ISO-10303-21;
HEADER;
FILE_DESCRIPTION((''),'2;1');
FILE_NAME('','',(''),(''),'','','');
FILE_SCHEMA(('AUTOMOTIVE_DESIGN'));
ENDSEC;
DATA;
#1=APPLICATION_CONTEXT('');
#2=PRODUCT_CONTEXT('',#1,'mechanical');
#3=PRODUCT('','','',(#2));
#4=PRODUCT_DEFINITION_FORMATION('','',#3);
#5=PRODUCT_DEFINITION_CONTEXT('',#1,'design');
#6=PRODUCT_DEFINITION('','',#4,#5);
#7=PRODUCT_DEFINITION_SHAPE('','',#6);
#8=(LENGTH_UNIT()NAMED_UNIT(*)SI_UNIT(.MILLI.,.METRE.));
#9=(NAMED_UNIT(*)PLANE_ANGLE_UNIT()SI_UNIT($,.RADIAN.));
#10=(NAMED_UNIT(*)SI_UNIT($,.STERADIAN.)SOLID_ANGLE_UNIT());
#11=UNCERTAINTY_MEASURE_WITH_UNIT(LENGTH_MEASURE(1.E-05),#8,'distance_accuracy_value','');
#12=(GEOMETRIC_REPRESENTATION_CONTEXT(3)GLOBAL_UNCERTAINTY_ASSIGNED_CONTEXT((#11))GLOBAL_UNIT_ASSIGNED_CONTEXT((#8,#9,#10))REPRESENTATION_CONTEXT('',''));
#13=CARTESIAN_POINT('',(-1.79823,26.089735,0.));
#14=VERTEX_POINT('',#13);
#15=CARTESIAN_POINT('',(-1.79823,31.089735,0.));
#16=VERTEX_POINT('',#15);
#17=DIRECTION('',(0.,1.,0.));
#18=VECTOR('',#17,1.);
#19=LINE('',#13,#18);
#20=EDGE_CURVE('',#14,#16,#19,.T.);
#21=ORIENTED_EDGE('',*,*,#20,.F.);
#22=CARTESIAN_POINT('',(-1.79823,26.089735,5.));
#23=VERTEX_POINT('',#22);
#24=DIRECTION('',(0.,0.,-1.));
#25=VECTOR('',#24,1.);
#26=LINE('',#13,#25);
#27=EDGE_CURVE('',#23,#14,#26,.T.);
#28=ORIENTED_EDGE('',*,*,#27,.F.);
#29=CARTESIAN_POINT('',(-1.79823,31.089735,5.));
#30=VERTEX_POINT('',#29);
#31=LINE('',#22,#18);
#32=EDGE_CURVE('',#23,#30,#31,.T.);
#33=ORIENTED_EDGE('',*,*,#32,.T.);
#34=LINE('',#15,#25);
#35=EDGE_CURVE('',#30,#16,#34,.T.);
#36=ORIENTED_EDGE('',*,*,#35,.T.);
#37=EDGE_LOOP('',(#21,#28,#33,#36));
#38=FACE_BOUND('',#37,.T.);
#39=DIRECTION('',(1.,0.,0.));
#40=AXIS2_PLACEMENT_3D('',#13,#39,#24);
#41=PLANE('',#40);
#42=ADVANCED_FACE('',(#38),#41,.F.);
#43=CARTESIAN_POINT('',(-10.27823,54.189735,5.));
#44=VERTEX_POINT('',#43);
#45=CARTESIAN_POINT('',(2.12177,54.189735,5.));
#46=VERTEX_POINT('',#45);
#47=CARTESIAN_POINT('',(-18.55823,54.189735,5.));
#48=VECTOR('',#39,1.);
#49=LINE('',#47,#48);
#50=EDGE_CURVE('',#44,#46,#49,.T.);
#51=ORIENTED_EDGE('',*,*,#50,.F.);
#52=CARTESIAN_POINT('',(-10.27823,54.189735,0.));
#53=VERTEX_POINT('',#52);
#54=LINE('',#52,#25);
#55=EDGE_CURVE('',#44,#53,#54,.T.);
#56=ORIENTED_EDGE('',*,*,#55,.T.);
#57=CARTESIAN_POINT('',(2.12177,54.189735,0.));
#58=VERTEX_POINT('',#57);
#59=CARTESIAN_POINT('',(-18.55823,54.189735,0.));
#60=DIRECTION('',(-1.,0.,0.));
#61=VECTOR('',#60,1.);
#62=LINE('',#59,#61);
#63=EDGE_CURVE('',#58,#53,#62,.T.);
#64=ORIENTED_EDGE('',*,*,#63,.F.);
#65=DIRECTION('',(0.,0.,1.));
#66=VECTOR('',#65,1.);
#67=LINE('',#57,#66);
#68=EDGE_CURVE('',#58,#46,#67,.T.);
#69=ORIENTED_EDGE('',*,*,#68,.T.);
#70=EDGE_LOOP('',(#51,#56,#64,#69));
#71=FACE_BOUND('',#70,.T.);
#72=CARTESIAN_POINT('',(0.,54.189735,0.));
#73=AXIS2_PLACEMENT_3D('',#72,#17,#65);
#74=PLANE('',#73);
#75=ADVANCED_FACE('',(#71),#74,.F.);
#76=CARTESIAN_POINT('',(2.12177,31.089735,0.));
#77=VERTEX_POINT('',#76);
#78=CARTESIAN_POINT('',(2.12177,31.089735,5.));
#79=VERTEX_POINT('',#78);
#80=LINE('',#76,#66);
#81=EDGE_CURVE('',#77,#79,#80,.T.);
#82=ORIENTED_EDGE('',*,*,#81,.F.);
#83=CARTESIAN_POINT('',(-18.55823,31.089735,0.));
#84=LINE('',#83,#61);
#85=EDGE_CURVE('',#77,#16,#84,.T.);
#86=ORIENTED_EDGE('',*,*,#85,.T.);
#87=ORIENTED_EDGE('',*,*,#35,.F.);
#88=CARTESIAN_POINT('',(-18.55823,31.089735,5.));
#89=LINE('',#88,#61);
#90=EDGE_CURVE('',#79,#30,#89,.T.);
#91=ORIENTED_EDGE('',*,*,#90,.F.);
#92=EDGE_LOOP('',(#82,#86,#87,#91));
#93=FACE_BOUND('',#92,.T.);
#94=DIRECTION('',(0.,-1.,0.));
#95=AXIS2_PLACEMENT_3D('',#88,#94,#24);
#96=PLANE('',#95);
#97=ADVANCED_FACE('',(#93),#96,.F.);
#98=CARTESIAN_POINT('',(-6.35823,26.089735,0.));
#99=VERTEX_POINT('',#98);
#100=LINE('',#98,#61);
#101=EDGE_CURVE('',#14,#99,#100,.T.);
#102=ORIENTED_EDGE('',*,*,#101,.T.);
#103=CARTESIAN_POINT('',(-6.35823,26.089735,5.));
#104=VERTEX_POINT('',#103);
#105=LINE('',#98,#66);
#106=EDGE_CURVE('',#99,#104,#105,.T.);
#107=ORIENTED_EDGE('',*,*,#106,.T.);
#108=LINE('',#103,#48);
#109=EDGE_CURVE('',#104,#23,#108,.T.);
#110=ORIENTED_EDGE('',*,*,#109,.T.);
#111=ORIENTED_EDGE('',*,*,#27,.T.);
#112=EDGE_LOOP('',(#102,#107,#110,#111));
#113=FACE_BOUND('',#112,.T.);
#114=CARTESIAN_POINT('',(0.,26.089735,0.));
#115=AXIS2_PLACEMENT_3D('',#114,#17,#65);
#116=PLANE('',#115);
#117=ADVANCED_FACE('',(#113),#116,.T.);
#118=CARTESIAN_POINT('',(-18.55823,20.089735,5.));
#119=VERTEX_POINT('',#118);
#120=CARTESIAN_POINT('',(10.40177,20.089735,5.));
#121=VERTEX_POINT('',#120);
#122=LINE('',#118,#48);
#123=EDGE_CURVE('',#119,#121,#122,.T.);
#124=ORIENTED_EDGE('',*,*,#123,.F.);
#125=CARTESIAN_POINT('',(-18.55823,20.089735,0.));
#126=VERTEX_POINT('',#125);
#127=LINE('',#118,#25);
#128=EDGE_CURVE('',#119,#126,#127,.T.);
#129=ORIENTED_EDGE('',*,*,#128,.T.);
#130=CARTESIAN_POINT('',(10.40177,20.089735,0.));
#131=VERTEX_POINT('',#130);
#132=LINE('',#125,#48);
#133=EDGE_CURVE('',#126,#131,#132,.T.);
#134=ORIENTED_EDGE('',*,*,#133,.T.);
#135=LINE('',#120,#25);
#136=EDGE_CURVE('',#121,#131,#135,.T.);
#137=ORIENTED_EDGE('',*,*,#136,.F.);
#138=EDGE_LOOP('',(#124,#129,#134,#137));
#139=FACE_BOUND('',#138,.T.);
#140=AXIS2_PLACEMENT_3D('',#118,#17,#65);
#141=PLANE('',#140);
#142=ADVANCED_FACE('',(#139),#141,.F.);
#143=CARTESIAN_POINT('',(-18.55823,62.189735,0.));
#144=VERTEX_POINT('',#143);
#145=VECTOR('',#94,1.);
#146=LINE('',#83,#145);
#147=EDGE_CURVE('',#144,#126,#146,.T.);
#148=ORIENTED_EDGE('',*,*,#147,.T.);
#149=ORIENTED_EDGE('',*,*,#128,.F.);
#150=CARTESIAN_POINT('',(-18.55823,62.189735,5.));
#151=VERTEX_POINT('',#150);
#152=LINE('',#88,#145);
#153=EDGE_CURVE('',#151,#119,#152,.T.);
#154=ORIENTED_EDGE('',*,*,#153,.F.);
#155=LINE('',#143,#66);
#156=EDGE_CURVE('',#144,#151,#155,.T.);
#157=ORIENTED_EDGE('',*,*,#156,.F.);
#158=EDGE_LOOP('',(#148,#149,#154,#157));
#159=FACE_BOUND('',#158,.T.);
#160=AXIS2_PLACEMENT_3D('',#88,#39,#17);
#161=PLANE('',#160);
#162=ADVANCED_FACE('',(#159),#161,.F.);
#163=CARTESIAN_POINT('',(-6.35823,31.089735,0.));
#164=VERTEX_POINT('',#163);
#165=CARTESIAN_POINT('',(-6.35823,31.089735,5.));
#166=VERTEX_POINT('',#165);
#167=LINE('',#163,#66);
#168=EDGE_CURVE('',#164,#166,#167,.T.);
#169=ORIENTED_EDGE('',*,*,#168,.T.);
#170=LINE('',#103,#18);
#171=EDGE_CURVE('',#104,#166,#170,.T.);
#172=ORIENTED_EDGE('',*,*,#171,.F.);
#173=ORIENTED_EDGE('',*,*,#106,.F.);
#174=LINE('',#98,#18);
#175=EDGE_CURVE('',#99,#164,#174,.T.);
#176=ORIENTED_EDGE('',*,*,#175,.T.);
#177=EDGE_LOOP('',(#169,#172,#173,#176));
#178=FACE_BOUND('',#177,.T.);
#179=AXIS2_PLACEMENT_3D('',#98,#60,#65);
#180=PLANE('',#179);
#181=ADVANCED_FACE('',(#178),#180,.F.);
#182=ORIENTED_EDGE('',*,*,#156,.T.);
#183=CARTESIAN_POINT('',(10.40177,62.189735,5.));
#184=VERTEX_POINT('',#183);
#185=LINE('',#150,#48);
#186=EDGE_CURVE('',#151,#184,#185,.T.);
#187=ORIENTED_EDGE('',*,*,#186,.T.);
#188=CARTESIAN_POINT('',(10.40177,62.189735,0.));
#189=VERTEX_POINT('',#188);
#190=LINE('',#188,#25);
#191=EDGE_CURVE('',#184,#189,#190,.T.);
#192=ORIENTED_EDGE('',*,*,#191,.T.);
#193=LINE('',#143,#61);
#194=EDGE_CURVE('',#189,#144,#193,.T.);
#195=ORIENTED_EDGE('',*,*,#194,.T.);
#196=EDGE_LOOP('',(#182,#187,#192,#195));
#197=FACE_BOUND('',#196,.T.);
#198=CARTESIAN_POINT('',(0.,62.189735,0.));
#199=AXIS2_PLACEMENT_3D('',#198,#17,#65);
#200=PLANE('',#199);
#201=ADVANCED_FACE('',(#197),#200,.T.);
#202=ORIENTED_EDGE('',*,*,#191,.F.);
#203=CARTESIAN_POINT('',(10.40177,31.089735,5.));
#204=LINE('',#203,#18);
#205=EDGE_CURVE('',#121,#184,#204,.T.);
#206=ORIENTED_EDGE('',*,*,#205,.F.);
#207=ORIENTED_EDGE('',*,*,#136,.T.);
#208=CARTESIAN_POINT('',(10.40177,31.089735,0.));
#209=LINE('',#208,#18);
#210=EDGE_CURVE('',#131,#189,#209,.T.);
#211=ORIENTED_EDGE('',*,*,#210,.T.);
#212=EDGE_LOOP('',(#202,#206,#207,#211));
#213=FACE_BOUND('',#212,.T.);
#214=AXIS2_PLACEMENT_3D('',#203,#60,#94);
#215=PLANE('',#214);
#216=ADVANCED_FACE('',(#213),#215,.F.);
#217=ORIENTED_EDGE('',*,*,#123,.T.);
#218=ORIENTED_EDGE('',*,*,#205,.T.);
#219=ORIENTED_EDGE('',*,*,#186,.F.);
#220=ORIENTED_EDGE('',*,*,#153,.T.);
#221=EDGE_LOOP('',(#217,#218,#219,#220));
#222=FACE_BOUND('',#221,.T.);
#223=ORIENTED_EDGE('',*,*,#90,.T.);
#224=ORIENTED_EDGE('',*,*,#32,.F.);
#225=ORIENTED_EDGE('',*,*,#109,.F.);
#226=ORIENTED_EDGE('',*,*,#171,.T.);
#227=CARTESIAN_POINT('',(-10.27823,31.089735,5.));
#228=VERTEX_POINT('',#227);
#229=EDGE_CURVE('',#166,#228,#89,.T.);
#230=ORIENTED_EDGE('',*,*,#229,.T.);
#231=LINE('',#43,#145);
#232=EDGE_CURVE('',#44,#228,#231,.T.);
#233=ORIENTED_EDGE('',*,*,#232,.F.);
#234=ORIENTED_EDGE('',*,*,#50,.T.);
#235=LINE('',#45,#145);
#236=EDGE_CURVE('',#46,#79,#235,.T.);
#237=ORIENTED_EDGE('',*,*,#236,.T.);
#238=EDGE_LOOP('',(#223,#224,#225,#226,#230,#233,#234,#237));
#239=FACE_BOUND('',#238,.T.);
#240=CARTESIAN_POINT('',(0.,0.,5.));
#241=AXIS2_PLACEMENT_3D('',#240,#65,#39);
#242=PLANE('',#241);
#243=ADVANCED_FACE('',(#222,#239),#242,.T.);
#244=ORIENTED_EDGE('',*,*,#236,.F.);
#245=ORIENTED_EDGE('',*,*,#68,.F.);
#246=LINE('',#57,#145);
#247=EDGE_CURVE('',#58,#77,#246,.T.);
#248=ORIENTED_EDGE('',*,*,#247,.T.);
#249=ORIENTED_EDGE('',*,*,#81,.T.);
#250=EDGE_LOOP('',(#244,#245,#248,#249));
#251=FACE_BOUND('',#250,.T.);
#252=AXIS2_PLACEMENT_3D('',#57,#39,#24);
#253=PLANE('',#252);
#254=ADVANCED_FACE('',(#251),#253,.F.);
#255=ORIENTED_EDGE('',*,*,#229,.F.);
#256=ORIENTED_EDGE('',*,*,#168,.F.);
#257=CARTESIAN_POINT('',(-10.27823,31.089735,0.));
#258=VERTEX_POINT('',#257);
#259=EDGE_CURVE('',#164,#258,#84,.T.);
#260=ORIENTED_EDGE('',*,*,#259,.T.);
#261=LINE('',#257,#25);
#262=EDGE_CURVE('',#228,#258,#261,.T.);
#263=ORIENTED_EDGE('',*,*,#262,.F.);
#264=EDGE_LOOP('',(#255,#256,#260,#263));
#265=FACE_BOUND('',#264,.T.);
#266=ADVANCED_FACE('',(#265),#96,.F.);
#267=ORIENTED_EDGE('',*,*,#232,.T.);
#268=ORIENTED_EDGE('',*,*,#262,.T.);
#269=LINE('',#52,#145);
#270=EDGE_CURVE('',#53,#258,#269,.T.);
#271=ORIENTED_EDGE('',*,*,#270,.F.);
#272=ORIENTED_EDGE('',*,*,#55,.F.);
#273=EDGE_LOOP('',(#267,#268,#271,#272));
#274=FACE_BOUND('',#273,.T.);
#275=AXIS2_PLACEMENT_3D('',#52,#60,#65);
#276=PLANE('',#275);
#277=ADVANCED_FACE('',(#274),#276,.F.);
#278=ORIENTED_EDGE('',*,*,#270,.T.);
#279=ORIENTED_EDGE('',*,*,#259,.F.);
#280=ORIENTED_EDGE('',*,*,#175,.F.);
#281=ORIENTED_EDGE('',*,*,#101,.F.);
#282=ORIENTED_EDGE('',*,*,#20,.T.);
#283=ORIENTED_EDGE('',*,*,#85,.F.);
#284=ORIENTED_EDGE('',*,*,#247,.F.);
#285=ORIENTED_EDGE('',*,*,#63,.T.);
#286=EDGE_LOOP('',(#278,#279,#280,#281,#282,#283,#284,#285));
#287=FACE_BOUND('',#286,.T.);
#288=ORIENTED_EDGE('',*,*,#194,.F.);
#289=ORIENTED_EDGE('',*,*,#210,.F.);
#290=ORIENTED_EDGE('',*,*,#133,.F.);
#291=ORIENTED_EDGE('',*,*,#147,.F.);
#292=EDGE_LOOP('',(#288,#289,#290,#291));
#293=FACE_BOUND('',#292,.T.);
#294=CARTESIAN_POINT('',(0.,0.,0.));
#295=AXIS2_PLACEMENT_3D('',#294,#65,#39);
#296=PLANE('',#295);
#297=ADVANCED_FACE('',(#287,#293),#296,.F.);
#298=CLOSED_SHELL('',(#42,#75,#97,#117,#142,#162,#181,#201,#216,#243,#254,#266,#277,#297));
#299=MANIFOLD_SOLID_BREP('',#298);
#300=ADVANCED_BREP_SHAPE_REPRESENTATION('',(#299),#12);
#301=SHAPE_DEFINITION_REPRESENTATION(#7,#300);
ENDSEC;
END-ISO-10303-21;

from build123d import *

# Parameters (mm, degrees)
SKETCH1_W           = 28.96
SKETCH1_H           = 11
BOSS_EXTRUDE1_DEPTH = 5
SKETCH2_W           = 8.28
SKETCH2_H           = 5
BOSS_EXTRUDE2_DEPTH = 23.1
SKETCH3_W           = 28.96
SKETCH3_H           = 5
BOSS_EXTRUDE3_DEPTH = 8
SKETCH4_W           = 4.56
SKETCH4_H           = 5
CUT_EXTRUDE1_DEPTH  = 5


with BuildPart() as part:
    # Sketch1 → Boss-Extrude1 (new body)
    with BuildSketch(Plane.XY):
        with Locations((-4.078230088, 25.589734513)):
            Rectangle(SKETCH1_W, SKETCH1_H)
    extrude(amount=BOSS_EXTRUDE1_DEPTH)

    # Sketch2 → Boss-Extrude2 (add)
    with BuildSketch(Plane(origin=(0, 31.089734513, 0), x_dir=(1, 0, 0), z_dir=(0, 1, 0))):
        with Locations((-14.418230088, -2.5)):
            Rectangle(SKETCH2_W, SKETCH2_H)
        with Locations((6.261769912, -2.5)):
            Rectangle(SKETCH2_W, SKETCH2_H)
    extrude(amount=BOSS_EXTRUDE2_DEPTH)

    # Sketch3 → Boss-Extrude3 (add)
    with BuildSketch(Plane(origin=(0, 54.189734513, 0), x_dir=(1, 0, 0), z_dir=(0, 1, 0))):
        with Locations((-4.078230088, -2.5)):
            Rectangle(SKETCH3_W, SKETCH3_H)
    extrude(amount=BOSS_EXTRUDE3_DEPTH)

    # Sketch4 → Cut-Extrude1 (cut)
    with BuildSketch(Plane(origin=(0, 31.089734513, 0), x_dir=(1, 0, 0), z_dir=(0, 1, 0))):
        with Locations((-4.078230088, -2.5)):
            Rectangle(SKETCH4_W, SKETCH4_H)
    extrude(amount=-CUT_EXTRUDE1_DEPTH, mode=Mode.SUBTRACT)


solid = part.part
